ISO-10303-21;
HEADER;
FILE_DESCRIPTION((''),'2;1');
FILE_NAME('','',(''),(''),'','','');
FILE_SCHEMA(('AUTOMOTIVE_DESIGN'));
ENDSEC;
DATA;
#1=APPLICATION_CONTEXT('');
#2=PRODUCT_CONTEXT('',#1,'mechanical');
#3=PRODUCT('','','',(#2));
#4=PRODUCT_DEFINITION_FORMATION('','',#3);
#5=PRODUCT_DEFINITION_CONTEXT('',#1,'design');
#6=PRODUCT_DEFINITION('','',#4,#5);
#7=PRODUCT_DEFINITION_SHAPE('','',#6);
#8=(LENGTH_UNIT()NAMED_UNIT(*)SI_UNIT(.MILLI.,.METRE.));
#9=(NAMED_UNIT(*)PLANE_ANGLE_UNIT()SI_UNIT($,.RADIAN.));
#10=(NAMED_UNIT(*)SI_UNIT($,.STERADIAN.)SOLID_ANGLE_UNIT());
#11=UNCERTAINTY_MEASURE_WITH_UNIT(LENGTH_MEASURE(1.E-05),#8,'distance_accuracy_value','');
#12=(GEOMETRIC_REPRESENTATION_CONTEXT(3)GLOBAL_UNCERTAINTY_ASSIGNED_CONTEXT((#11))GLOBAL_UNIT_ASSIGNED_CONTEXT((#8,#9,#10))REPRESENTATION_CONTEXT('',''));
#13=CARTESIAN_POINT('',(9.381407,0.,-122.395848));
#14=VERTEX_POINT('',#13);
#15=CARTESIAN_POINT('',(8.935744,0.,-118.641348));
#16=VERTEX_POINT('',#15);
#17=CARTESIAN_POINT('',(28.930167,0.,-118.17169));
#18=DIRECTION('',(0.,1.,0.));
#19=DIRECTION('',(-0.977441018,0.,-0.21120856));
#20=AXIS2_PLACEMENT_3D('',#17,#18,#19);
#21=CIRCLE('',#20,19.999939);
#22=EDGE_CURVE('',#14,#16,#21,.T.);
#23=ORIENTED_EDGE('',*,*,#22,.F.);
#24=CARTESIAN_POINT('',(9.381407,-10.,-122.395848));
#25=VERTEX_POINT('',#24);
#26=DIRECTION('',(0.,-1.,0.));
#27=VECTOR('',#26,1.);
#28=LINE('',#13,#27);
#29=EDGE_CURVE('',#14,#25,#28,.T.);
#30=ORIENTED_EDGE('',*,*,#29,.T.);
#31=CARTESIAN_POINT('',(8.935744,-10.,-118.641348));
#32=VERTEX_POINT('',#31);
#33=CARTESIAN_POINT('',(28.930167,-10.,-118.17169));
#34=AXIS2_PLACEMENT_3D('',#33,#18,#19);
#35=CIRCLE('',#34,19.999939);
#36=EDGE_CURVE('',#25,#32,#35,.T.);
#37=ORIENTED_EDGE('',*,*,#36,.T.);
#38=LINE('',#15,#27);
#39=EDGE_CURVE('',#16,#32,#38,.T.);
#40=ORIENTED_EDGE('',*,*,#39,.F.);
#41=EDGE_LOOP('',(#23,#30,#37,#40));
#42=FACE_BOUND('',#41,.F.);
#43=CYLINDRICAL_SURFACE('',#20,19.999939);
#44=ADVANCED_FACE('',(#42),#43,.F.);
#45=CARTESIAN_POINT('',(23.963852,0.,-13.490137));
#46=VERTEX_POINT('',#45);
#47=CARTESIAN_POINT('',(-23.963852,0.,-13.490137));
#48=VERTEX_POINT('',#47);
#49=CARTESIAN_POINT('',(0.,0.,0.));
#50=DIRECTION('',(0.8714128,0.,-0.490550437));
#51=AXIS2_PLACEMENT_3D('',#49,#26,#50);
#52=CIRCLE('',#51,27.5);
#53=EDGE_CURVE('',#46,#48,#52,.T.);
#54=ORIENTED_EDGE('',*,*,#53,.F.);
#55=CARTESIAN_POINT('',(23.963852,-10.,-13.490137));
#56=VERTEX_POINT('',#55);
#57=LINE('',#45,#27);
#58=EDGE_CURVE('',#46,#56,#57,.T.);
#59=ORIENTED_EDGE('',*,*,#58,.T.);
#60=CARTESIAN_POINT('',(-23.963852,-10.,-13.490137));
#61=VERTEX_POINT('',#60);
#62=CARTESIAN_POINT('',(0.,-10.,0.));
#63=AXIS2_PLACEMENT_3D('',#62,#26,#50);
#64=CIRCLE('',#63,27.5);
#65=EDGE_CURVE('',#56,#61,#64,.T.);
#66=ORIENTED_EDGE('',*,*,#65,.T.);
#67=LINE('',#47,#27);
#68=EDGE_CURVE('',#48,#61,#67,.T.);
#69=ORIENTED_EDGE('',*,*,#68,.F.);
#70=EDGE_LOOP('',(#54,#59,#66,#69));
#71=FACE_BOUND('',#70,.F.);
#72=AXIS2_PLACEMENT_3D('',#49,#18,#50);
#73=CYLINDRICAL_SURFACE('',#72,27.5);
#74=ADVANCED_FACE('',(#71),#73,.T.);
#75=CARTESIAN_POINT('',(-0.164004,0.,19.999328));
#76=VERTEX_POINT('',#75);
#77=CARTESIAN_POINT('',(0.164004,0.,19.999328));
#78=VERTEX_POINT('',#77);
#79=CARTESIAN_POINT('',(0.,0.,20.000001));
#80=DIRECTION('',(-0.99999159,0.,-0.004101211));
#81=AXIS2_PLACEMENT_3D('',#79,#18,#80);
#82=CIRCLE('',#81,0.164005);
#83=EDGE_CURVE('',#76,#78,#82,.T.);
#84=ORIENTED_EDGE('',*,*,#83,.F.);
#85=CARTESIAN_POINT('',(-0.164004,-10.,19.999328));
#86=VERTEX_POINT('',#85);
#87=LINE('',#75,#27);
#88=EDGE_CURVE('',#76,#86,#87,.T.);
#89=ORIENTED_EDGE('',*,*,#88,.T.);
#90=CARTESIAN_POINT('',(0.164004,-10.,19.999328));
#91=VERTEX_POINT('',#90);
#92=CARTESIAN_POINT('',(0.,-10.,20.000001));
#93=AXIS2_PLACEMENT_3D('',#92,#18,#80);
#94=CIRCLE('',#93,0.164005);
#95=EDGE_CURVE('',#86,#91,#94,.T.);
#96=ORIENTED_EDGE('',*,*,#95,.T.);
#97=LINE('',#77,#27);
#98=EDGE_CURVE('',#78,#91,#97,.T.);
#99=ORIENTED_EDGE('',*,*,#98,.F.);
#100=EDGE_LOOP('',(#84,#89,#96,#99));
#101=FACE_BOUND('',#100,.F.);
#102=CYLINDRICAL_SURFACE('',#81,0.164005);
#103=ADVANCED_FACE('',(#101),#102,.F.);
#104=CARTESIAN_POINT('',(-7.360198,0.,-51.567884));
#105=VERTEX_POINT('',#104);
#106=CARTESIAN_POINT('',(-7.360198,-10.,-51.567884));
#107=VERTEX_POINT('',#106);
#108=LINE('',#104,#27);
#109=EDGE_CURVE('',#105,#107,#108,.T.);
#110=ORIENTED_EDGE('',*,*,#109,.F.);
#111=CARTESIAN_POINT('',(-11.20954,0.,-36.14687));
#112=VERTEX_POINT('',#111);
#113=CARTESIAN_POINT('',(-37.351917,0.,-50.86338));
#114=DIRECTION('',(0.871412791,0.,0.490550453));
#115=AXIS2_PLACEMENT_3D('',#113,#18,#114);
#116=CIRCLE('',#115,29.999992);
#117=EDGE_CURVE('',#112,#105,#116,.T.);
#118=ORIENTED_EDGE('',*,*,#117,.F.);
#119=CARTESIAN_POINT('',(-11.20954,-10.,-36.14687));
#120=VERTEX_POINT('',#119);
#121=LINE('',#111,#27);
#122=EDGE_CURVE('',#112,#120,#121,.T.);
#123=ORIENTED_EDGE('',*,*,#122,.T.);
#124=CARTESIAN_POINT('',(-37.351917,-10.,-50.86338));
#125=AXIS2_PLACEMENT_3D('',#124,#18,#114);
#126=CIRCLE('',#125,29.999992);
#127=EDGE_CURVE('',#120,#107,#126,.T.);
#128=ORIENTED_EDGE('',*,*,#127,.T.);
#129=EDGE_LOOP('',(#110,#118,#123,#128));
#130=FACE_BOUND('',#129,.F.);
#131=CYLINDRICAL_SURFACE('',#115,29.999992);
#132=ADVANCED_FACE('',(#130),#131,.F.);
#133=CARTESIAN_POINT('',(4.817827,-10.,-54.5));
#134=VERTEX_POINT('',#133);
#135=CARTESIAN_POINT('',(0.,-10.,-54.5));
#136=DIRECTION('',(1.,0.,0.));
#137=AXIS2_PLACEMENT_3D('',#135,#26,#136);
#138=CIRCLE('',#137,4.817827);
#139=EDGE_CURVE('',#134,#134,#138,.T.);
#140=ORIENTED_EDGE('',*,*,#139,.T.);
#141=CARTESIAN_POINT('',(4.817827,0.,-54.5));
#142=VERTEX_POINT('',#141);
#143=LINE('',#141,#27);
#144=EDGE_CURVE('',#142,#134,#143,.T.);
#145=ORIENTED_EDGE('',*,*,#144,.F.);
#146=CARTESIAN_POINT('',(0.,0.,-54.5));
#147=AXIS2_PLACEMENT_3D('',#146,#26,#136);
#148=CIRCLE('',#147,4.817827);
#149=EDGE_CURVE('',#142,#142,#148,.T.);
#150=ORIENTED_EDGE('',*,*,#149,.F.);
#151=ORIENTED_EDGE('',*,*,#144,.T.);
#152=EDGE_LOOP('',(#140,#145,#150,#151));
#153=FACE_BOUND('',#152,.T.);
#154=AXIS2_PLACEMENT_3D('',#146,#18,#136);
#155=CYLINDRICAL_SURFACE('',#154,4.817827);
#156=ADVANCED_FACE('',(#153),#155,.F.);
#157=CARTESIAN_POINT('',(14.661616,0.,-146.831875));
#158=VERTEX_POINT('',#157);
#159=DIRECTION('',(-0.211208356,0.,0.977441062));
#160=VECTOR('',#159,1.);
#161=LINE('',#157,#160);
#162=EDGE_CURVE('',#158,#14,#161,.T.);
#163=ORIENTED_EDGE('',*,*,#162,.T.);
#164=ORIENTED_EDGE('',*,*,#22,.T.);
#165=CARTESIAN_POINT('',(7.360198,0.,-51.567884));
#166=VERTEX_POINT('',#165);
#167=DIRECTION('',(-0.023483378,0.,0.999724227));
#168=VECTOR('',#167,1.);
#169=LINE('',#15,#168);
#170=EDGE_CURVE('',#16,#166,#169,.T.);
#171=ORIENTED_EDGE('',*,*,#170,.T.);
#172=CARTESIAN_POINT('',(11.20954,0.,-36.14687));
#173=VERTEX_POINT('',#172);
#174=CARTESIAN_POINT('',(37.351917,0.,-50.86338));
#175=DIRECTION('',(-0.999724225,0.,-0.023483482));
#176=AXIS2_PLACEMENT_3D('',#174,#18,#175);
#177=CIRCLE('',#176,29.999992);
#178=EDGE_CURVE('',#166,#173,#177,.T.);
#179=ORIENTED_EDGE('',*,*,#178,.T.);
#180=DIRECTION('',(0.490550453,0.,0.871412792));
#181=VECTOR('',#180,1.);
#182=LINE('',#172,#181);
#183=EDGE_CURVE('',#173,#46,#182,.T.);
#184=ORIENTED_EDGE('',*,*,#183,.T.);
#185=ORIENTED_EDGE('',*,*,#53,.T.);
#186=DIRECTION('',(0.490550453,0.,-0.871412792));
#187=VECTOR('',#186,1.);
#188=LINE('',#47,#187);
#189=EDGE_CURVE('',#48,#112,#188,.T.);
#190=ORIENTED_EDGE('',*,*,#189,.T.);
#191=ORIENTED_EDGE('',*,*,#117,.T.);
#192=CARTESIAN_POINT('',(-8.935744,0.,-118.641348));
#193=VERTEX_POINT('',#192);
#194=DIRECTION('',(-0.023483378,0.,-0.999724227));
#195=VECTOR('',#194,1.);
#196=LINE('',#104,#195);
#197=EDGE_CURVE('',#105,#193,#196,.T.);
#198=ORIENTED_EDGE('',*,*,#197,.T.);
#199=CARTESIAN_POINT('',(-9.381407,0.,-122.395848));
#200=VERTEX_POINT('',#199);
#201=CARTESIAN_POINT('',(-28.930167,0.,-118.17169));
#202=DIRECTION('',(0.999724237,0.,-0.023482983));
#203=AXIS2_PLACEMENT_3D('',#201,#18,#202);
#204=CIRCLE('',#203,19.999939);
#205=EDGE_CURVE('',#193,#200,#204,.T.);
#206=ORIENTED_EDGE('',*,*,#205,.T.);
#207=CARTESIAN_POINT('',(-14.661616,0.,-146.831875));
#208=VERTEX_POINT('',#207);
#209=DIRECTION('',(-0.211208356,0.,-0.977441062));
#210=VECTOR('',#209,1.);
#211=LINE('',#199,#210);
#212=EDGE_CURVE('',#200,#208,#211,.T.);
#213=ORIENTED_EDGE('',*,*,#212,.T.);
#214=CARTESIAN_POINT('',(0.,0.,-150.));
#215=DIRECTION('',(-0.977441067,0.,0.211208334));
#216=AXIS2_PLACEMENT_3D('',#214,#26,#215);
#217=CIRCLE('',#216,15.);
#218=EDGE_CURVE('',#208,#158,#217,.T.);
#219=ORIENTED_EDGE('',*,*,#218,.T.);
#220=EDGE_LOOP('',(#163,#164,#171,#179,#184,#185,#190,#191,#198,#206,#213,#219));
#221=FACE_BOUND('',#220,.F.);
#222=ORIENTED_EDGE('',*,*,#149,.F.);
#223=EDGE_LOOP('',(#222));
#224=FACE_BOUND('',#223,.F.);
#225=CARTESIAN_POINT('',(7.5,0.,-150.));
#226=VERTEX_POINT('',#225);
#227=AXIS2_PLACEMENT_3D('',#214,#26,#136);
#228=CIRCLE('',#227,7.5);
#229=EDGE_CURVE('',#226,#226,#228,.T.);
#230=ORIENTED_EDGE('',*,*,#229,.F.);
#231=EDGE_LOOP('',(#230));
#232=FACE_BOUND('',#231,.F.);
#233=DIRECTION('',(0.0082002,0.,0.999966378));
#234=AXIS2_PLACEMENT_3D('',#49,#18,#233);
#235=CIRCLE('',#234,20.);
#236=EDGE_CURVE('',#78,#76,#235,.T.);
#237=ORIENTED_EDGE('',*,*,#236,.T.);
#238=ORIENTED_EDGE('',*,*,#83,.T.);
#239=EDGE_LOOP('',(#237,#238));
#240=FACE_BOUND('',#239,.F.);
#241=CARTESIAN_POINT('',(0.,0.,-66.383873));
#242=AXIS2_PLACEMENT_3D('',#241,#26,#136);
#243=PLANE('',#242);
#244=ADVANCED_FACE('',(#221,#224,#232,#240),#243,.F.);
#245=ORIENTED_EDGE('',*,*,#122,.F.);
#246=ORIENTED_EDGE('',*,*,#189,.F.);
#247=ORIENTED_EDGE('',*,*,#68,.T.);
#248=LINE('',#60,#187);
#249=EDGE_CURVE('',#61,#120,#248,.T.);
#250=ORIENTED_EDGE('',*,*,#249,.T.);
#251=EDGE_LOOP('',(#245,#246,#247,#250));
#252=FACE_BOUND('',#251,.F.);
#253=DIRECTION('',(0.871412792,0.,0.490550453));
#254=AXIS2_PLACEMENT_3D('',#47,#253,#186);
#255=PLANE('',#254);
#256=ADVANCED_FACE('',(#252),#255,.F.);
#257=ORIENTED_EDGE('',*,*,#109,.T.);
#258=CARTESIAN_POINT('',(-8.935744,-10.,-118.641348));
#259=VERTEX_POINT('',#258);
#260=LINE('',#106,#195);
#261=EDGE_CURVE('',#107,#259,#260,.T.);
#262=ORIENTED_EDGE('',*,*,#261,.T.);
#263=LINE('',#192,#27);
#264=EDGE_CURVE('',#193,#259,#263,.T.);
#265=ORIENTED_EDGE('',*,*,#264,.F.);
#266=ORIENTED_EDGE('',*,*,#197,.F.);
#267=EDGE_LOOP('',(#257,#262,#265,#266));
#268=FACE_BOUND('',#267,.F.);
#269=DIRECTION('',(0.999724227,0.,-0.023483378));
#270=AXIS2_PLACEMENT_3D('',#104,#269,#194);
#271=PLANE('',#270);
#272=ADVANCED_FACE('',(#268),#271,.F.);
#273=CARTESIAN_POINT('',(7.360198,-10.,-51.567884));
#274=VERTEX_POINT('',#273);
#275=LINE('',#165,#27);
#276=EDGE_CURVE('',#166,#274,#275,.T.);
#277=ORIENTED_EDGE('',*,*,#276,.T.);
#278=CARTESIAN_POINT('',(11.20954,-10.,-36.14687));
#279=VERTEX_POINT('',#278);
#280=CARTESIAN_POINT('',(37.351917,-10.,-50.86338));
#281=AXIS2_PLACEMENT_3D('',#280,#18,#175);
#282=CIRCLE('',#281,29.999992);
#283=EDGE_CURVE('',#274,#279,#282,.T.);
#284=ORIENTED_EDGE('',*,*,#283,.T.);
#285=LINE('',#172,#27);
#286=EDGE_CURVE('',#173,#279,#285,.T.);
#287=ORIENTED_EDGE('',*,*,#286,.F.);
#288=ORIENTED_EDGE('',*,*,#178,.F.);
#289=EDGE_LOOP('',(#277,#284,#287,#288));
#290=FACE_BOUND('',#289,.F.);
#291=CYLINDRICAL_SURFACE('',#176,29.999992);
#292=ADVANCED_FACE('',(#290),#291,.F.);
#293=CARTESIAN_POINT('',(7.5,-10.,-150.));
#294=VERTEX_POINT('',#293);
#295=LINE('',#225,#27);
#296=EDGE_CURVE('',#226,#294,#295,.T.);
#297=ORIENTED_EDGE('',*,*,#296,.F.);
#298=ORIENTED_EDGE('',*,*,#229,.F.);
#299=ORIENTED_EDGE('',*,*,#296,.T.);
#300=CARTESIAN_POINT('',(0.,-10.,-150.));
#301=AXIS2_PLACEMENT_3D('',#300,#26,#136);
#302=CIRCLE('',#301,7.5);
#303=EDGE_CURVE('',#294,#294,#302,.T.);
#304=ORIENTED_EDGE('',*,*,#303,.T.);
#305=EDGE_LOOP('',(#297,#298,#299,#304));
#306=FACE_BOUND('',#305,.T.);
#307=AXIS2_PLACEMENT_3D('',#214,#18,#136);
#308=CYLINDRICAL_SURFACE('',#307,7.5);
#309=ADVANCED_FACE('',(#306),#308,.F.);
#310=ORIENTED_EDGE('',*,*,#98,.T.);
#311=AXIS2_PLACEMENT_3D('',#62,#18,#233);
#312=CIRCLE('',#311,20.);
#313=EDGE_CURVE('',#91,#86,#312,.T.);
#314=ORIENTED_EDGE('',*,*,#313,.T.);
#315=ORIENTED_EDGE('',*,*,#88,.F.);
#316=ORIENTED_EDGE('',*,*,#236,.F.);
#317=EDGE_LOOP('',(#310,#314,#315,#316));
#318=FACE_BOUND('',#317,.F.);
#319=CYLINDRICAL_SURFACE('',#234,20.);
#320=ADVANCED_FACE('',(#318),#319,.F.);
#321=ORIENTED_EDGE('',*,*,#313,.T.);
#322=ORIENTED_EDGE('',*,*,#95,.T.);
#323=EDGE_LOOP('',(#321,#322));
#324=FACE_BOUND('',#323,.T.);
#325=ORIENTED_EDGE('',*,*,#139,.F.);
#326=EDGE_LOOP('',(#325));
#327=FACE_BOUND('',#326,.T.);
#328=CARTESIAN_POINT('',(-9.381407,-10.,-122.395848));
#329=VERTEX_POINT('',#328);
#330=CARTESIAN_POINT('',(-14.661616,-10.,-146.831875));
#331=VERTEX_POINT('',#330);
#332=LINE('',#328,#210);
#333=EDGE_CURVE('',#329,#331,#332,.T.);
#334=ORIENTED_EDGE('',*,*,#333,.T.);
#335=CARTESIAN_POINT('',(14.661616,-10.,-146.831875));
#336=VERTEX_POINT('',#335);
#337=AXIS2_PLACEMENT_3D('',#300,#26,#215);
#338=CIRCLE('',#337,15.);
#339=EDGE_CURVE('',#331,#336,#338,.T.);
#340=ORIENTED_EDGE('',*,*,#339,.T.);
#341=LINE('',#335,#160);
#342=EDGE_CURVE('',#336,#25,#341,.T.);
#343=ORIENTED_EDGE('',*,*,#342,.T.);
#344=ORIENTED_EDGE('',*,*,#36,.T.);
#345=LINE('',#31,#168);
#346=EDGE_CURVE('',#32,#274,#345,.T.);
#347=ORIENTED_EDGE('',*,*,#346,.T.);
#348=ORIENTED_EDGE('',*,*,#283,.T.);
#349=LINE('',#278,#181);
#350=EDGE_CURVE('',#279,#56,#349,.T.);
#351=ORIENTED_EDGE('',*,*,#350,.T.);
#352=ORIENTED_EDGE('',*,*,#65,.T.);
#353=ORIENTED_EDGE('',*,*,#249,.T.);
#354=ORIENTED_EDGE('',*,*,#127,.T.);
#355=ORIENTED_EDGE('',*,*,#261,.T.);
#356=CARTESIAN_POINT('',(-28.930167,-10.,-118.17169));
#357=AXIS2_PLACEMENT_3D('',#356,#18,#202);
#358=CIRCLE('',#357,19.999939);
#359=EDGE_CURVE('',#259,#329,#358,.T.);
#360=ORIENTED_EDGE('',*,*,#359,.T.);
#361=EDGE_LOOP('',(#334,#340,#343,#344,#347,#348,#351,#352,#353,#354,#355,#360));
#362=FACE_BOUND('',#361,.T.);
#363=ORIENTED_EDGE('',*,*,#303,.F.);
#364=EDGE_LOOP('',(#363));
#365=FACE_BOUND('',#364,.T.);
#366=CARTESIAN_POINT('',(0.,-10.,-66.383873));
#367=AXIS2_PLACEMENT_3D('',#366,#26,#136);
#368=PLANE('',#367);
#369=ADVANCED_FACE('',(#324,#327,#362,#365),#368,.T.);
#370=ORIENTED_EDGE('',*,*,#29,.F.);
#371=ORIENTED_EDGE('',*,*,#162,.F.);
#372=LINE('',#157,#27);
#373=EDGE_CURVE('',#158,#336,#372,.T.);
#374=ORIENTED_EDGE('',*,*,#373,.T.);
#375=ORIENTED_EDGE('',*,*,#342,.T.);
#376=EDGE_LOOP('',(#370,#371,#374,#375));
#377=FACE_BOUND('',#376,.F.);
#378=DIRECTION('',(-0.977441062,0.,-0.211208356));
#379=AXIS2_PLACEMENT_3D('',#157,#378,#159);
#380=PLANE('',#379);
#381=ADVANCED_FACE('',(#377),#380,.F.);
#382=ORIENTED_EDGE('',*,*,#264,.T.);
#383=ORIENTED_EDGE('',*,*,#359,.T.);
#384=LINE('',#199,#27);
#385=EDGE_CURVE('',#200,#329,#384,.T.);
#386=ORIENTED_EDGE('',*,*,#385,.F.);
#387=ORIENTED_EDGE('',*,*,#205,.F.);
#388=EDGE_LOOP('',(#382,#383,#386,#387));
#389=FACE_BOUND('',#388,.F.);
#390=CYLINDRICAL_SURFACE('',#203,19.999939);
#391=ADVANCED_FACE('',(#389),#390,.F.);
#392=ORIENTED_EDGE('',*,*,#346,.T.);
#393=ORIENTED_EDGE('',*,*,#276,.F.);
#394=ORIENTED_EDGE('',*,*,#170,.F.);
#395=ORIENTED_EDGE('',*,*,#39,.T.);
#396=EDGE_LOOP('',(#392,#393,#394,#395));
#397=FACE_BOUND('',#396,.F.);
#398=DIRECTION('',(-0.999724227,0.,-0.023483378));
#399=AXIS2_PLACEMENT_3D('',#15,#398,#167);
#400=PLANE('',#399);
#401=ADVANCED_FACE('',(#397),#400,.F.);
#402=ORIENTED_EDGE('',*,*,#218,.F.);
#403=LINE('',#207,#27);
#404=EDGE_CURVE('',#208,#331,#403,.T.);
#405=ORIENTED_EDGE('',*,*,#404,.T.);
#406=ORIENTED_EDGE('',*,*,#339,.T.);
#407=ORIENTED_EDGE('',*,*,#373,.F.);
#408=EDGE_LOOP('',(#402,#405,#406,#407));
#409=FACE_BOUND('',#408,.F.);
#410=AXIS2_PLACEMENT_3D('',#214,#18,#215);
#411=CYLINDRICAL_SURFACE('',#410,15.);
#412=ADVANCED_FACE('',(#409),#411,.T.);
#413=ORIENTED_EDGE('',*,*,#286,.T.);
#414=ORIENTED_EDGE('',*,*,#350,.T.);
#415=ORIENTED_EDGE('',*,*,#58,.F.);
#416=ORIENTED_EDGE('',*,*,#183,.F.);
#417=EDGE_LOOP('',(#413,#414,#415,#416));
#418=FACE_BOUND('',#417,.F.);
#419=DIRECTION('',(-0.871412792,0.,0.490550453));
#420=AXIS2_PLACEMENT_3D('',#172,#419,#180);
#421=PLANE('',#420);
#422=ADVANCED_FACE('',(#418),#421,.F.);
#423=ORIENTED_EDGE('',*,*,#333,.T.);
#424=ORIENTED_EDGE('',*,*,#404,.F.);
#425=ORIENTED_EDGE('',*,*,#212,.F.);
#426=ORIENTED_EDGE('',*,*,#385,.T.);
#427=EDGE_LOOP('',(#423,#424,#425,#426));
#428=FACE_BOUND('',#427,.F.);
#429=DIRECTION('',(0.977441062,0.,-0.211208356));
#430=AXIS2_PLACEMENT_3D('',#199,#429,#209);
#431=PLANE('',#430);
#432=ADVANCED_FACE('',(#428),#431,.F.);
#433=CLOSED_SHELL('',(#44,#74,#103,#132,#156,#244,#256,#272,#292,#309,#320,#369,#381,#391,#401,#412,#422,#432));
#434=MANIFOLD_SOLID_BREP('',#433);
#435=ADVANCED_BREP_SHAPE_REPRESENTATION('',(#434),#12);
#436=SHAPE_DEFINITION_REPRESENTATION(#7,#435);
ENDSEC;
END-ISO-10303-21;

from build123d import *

# Parameters (mm, degrees)
F0_R     = 7.5
F0_R_2   = 4.817827
F1_DEPTH = 10


with BuildPart() as f1:
    # F0 (on Front) → F1 (new body)
    with BuildSketch(Plane.XZ):
        with BuildLine():
            Line((11.20954, -36.14687), (23.963852, -13.490137))
            ThreePointArc((23.963852, -13.490137), (0, 27.5), (-23.963852, -13.490137))
            Line((-23.963852, -13.490137), (-11.20954, -36.14687))
            ThreePointArc((-11.20954, -36.14687), (-8.245026, -43.597815), (-7.360198, -51.567884))
            Line((-7.360198, -51.567884), (-8.935744, -118.641348))
            ThreePointArc((-8.935744, -118.641348), (-9.069656, -120.529153), (-9.381407, -122.395848))
            Line((-9.381407, -122.395848), (-14.661616, -146.831875))
            ThreePointArc((-14.661616, -146.831875), (0, -165), (14.661616, -146.831875))
            Line((14.661616, -146.831875), (9.381407, -122.395848))
            ThreePointArc((9.381407, -122.395848), (9.069656, -120.529153), (8.935744, -118.641348))
            Line((8.935744, -118.641348), (7.360198, -51.567884))
            ThreePointArc((7.360198, -51.567884), (8.245026, -43.597815), (11.20954, -36.14687))
        make_face()
        with Locations((0, -150)):
            Circle(F0_R, mode=Mode.SUBTRACT)
        with Locations((0, -54.5)):
            Circle(F0_R_2, mode=Mode.SUBTRACT)
        with BuildLine():
            ThreePointArc((0.164004, 19.999328), (0, -20), (-0.164004, 19.999328))
            ThreePointArc((-0.164004, 19.999328), (0, 20.164006), (0.164004, 19.999328))
        make_face(mode=Mode.SUBTRACT)
    extrude(amount=F1_DEPTH)


solid = f1.part
